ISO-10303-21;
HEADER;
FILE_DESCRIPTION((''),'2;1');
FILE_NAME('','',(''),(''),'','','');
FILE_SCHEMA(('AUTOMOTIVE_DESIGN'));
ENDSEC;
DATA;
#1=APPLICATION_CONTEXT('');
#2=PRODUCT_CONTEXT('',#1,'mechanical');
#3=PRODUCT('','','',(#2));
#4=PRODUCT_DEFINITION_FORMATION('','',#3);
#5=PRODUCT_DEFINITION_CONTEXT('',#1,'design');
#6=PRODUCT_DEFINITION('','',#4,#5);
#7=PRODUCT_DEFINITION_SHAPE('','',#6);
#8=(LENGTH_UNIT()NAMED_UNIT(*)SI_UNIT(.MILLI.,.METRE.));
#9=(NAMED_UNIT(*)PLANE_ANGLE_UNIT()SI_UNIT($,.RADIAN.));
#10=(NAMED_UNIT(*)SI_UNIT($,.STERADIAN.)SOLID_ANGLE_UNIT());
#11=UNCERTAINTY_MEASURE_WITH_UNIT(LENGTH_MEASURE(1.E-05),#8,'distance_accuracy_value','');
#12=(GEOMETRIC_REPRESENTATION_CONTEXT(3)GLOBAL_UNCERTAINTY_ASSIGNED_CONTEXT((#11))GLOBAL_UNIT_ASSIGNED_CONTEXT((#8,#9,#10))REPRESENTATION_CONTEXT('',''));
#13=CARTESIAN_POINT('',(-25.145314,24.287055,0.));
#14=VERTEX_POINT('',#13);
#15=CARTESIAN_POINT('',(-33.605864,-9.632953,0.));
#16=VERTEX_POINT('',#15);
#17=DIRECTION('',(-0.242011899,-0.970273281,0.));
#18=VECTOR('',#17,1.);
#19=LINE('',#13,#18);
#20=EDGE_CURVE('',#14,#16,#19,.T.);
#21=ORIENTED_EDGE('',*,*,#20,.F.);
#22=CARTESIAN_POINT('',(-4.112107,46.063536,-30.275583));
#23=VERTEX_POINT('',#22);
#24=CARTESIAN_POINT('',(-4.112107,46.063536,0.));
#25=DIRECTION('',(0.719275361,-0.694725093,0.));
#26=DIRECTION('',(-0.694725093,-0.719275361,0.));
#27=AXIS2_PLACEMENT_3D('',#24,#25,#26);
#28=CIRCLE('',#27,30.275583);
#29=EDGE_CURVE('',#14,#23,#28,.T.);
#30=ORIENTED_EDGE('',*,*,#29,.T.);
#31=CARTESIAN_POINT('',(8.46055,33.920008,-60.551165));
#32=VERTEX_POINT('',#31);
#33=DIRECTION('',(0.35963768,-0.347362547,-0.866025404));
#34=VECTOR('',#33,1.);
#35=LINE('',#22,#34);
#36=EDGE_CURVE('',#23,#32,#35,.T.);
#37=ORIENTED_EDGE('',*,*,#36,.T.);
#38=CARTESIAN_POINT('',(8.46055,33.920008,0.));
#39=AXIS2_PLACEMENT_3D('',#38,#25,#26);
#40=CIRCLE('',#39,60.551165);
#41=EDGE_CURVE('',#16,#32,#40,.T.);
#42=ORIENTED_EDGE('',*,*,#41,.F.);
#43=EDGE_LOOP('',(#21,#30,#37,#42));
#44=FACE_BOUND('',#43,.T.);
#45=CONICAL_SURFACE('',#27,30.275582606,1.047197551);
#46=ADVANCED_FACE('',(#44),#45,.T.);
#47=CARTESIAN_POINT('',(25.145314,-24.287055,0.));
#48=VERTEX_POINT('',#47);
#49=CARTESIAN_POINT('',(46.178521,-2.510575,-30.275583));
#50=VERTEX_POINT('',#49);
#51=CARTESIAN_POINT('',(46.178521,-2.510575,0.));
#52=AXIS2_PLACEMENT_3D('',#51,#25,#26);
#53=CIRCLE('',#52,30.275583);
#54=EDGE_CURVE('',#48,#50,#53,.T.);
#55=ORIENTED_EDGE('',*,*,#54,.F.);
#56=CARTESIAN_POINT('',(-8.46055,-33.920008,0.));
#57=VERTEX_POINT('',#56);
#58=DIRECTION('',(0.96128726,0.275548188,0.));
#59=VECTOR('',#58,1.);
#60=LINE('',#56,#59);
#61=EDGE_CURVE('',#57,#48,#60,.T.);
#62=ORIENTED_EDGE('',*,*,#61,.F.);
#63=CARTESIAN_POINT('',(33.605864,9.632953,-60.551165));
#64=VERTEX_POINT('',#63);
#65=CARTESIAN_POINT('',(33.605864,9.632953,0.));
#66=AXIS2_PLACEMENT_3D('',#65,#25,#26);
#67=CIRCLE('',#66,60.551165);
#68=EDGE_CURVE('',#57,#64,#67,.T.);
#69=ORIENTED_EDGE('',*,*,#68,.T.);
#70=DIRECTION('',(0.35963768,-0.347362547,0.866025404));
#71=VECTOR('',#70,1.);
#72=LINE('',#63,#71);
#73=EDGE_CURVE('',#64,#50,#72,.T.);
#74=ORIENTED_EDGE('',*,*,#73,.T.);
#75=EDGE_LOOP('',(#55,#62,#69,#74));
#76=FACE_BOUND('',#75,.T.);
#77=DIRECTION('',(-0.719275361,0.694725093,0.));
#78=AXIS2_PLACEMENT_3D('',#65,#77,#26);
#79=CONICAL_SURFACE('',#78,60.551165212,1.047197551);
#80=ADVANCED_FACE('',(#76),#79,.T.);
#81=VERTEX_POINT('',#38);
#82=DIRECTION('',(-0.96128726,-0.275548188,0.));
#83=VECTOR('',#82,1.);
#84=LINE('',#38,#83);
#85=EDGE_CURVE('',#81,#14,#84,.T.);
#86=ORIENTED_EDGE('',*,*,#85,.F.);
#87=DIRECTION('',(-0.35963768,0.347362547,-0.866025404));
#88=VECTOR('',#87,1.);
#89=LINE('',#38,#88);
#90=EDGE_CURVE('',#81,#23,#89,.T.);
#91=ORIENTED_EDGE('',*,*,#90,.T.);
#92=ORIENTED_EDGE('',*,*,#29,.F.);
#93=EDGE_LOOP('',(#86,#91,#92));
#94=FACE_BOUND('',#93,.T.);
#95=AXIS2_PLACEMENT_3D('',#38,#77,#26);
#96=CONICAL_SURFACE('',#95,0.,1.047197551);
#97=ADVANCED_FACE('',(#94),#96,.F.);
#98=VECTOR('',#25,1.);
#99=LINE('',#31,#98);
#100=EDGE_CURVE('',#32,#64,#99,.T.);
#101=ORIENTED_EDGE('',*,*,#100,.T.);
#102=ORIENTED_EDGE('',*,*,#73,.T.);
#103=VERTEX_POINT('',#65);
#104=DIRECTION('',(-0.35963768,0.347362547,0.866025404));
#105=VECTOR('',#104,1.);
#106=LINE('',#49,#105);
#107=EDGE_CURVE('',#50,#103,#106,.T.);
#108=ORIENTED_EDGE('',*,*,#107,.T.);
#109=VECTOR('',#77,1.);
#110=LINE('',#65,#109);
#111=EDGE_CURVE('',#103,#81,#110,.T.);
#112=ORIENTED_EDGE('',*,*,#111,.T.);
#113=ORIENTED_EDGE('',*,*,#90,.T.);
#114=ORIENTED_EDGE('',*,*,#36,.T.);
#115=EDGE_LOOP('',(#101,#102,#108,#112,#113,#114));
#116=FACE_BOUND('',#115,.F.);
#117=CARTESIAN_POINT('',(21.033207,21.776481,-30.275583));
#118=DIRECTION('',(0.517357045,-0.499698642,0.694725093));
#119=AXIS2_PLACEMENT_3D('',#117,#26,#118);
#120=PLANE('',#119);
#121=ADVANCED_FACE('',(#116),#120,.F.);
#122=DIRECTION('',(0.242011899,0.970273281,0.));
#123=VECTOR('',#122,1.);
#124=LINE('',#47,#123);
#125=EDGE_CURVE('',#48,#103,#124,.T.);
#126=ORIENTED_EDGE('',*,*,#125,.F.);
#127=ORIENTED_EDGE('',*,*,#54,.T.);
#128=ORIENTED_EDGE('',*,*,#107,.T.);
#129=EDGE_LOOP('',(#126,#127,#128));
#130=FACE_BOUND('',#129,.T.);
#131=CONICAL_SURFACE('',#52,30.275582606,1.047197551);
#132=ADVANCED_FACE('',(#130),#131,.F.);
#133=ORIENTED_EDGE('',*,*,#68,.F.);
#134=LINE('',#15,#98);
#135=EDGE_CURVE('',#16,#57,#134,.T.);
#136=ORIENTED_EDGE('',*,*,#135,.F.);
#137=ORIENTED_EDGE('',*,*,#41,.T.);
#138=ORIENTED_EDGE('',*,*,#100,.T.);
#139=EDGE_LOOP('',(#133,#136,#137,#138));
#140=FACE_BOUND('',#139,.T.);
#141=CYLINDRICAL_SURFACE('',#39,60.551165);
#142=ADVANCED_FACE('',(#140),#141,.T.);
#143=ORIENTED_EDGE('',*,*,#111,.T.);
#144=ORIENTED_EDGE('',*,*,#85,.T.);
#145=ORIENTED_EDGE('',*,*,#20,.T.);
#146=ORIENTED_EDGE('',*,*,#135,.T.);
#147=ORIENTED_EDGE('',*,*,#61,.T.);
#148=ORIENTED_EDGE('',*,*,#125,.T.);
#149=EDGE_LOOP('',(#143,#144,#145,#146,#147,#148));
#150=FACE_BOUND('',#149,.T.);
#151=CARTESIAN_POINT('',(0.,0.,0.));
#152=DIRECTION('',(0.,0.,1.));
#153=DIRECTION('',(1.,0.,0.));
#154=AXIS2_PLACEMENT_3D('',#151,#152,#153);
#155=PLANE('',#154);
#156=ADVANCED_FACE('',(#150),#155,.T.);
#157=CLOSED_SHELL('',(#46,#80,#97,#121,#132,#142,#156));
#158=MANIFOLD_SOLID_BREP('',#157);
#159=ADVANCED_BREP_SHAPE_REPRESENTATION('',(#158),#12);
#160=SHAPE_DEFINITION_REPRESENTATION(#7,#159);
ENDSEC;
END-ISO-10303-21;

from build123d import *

# Parameters (mm, degrees)
F1_ANGLE = 90


with BuildPart() as f1:
    # F0 (on Top) → F1 (revolve)
    with BuildSketch(Plane.XY):
        Polygon((33.6058638911, 9.6329529031), (8.460550018, 33.9200082974), (-25.1453138731, 24.2870553943), (-33.6058638911, -9.6329529031), (-8.460550018, -33.9200082974), (25.1453138731, -24.2870553943), align=None)
    revolve(axis=Axis((21.0332069546, 21.7764806002, 0), (0.7192753607, -0.6947250934, 0)), revolution_arc=F1_ANGLE)


solid = f1.part
